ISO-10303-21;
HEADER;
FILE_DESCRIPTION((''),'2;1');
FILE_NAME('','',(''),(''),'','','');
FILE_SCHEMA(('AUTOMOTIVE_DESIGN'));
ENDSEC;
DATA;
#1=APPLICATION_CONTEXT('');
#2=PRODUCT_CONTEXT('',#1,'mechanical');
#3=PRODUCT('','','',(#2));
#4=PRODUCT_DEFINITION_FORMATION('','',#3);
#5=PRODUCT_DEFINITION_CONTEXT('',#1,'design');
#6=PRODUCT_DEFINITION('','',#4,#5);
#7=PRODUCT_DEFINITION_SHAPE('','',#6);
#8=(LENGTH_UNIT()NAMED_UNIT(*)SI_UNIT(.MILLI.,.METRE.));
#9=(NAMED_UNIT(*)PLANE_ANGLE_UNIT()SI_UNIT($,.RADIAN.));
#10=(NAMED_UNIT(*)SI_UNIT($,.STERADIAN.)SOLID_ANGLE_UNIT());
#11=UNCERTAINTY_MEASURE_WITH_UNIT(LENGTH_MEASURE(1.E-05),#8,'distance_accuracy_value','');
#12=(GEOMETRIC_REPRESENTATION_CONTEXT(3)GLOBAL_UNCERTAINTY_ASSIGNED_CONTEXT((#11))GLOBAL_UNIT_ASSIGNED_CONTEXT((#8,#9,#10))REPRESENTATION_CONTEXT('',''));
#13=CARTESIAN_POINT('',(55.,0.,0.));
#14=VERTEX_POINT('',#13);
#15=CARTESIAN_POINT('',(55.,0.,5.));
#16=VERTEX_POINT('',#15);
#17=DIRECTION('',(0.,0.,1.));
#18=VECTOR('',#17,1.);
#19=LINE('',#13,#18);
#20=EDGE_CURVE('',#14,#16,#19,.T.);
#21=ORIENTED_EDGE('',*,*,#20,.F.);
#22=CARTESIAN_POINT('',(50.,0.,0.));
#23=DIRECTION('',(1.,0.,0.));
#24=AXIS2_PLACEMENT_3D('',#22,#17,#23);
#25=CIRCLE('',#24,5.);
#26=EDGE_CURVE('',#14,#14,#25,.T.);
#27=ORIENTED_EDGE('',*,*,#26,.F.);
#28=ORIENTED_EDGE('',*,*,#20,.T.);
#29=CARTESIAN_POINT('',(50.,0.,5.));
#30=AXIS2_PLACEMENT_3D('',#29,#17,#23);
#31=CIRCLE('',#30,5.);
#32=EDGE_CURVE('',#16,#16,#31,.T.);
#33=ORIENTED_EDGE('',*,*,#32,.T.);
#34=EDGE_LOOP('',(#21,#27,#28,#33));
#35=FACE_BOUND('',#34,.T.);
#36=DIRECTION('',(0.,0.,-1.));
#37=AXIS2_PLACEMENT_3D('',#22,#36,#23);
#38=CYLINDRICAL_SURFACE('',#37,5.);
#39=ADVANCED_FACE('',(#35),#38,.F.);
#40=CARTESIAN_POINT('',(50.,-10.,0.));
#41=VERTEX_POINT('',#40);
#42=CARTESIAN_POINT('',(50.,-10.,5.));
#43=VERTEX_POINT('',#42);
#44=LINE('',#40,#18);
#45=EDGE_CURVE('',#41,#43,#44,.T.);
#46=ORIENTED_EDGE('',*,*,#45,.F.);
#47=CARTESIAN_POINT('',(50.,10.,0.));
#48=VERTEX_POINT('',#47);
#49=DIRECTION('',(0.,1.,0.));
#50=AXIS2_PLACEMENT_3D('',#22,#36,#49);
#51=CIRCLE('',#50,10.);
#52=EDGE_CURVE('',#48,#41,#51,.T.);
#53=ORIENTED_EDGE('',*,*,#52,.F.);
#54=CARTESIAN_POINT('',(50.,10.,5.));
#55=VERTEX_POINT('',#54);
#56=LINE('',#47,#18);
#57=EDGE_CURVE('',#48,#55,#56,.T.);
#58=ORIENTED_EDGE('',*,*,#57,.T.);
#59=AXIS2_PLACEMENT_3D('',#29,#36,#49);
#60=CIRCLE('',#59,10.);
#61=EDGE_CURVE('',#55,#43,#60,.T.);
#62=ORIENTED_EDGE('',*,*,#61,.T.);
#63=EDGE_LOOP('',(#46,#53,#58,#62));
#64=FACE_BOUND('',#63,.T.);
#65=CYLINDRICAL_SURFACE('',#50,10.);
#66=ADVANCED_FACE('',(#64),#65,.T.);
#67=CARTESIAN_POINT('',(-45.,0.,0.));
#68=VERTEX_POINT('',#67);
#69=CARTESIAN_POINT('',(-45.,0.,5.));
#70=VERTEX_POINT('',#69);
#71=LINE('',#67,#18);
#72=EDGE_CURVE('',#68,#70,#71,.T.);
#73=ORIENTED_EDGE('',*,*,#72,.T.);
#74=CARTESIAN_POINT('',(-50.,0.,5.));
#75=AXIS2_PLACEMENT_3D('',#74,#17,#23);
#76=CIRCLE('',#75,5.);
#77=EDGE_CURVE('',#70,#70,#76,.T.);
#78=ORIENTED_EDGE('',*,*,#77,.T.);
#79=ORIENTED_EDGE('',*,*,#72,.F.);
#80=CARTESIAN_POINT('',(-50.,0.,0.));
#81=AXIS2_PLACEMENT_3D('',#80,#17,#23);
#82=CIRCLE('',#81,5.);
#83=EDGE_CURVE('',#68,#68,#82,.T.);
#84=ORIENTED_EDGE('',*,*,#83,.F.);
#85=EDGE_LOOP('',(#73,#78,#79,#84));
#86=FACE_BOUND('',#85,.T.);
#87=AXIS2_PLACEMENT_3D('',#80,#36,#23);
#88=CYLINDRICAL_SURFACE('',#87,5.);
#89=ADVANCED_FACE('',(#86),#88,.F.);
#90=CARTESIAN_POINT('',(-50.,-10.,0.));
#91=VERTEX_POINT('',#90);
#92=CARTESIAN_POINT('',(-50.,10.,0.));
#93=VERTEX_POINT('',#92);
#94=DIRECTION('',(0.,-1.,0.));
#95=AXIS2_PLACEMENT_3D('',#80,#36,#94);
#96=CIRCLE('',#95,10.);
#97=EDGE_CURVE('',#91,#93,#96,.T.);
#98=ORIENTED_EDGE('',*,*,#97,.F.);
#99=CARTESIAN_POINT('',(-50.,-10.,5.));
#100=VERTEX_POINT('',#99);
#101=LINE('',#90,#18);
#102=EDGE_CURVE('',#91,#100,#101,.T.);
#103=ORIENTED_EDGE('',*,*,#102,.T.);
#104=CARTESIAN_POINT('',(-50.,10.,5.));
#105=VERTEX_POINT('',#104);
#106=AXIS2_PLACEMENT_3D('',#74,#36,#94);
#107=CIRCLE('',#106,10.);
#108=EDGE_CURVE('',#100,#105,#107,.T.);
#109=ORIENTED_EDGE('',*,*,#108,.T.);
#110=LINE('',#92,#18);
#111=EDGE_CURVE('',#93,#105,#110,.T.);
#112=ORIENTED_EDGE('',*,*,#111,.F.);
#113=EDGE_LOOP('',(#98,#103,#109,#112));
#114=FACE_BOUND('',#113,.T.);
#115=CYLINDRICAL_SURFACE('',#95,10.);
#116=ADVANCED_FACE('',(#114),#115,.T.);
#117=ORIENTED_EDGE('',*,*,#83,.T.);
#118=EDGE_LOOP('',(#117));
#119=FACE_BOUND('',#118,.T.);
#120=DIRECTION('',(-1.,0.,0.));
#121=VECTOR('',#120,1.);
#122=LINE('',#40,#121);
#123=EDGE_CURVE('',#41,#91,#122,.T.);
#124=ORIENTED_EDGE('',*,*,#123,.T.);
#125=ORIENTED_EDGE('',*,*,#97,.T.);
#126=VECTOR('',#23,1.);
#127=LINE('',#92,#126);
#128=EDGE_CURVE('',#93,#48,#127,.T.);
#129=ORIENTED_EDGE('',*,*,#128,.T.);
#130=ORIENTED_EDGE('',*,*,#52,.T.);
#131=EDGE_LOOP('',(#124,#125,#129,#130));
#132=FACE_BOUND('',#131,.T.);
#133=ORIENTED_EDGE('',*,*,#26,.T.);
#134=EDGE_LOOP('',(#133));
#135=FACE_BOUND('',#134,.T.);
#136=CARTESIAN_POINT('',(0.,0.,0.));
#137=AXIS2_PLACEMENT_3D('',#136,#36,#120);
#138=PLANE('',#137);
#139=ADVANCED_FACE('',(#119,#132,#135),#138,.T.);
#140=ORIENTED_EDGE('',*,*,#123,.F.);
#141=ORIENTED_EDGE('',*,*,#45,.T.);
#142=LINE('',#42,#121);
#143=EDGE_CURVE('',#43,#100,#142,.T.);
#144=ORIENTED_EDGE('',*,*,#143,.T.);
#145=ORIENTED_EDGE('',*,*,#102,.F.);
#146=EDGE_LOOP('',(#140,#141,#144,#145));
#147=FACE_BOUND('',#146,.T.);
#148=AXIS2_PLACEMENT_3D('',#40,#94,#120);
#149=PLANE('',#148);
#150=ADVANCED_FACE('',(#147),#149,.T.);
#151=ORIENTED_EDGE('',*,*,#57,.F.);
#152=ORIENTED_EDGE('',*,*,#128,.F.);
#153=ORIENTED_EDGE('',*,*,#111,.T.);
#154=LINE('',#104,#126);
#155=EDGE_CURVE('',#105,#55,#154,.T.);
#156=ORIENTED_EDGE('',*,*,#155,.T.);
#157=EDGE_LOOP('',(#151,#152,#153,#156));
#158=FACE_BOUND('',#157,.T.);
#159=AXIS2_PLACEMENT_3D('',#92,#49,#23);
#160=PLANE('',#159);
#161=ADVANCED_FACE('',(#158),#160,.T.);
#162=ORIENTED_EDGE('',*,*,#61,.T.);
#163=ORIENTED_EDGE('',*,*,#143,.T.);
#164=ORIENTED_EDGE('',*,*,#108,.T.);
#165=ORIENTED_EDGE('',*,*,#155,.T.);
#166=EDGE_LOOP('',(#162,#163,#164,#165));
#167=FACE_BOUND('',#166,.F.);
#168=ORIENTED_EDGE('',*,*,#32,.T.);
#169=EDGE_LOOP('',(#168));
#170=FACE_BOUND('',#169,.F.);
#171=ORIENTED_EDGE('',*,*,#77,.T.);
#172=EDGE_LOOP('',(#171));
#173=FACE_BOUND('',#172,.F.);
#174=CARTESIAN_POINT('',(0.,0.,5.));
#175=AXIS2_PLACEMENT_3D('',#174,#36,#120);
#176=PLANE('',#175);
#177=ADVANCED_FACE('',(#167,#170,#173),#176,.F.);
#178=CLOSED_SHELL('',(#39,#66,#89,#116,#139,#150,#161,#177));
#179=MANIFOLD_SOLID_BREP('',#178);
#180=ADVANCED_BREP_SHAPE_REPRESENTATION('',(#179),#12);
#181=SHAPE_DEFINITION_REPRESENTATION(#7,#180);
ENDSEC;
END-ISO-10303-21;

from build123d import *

# Parameters (mm, degrees)
SKETCH1_R           = 5
BOSS_EXTRUDE1_DEPTH = 5


with BuildPart() as part:
    # Sketch1 → Boss-Extrude1 (new body)
    with BuildSketch(Plane.XY):
        with BuildLine():
            Line((-50, 10), (50, 10))
            ThreePointArc((50, 10), (60, 0), (50, -10))
            Line((50, -10), (-50, -10))
            ThreePointArc((-50, -10), (-60, 0), (-50, 10))
        make_face()
        with Locations((-50, 0)):
            Circle(SKETCH1_R, mode=Mode.SUBTRACT)
        with Locations((50, 0)):
            Circle(SKETCH1_R, mode=Mode.SUBTRACT)
    extrude(amount=BOSS_EXTRUDE1_DEPTH)


solid = part.part
